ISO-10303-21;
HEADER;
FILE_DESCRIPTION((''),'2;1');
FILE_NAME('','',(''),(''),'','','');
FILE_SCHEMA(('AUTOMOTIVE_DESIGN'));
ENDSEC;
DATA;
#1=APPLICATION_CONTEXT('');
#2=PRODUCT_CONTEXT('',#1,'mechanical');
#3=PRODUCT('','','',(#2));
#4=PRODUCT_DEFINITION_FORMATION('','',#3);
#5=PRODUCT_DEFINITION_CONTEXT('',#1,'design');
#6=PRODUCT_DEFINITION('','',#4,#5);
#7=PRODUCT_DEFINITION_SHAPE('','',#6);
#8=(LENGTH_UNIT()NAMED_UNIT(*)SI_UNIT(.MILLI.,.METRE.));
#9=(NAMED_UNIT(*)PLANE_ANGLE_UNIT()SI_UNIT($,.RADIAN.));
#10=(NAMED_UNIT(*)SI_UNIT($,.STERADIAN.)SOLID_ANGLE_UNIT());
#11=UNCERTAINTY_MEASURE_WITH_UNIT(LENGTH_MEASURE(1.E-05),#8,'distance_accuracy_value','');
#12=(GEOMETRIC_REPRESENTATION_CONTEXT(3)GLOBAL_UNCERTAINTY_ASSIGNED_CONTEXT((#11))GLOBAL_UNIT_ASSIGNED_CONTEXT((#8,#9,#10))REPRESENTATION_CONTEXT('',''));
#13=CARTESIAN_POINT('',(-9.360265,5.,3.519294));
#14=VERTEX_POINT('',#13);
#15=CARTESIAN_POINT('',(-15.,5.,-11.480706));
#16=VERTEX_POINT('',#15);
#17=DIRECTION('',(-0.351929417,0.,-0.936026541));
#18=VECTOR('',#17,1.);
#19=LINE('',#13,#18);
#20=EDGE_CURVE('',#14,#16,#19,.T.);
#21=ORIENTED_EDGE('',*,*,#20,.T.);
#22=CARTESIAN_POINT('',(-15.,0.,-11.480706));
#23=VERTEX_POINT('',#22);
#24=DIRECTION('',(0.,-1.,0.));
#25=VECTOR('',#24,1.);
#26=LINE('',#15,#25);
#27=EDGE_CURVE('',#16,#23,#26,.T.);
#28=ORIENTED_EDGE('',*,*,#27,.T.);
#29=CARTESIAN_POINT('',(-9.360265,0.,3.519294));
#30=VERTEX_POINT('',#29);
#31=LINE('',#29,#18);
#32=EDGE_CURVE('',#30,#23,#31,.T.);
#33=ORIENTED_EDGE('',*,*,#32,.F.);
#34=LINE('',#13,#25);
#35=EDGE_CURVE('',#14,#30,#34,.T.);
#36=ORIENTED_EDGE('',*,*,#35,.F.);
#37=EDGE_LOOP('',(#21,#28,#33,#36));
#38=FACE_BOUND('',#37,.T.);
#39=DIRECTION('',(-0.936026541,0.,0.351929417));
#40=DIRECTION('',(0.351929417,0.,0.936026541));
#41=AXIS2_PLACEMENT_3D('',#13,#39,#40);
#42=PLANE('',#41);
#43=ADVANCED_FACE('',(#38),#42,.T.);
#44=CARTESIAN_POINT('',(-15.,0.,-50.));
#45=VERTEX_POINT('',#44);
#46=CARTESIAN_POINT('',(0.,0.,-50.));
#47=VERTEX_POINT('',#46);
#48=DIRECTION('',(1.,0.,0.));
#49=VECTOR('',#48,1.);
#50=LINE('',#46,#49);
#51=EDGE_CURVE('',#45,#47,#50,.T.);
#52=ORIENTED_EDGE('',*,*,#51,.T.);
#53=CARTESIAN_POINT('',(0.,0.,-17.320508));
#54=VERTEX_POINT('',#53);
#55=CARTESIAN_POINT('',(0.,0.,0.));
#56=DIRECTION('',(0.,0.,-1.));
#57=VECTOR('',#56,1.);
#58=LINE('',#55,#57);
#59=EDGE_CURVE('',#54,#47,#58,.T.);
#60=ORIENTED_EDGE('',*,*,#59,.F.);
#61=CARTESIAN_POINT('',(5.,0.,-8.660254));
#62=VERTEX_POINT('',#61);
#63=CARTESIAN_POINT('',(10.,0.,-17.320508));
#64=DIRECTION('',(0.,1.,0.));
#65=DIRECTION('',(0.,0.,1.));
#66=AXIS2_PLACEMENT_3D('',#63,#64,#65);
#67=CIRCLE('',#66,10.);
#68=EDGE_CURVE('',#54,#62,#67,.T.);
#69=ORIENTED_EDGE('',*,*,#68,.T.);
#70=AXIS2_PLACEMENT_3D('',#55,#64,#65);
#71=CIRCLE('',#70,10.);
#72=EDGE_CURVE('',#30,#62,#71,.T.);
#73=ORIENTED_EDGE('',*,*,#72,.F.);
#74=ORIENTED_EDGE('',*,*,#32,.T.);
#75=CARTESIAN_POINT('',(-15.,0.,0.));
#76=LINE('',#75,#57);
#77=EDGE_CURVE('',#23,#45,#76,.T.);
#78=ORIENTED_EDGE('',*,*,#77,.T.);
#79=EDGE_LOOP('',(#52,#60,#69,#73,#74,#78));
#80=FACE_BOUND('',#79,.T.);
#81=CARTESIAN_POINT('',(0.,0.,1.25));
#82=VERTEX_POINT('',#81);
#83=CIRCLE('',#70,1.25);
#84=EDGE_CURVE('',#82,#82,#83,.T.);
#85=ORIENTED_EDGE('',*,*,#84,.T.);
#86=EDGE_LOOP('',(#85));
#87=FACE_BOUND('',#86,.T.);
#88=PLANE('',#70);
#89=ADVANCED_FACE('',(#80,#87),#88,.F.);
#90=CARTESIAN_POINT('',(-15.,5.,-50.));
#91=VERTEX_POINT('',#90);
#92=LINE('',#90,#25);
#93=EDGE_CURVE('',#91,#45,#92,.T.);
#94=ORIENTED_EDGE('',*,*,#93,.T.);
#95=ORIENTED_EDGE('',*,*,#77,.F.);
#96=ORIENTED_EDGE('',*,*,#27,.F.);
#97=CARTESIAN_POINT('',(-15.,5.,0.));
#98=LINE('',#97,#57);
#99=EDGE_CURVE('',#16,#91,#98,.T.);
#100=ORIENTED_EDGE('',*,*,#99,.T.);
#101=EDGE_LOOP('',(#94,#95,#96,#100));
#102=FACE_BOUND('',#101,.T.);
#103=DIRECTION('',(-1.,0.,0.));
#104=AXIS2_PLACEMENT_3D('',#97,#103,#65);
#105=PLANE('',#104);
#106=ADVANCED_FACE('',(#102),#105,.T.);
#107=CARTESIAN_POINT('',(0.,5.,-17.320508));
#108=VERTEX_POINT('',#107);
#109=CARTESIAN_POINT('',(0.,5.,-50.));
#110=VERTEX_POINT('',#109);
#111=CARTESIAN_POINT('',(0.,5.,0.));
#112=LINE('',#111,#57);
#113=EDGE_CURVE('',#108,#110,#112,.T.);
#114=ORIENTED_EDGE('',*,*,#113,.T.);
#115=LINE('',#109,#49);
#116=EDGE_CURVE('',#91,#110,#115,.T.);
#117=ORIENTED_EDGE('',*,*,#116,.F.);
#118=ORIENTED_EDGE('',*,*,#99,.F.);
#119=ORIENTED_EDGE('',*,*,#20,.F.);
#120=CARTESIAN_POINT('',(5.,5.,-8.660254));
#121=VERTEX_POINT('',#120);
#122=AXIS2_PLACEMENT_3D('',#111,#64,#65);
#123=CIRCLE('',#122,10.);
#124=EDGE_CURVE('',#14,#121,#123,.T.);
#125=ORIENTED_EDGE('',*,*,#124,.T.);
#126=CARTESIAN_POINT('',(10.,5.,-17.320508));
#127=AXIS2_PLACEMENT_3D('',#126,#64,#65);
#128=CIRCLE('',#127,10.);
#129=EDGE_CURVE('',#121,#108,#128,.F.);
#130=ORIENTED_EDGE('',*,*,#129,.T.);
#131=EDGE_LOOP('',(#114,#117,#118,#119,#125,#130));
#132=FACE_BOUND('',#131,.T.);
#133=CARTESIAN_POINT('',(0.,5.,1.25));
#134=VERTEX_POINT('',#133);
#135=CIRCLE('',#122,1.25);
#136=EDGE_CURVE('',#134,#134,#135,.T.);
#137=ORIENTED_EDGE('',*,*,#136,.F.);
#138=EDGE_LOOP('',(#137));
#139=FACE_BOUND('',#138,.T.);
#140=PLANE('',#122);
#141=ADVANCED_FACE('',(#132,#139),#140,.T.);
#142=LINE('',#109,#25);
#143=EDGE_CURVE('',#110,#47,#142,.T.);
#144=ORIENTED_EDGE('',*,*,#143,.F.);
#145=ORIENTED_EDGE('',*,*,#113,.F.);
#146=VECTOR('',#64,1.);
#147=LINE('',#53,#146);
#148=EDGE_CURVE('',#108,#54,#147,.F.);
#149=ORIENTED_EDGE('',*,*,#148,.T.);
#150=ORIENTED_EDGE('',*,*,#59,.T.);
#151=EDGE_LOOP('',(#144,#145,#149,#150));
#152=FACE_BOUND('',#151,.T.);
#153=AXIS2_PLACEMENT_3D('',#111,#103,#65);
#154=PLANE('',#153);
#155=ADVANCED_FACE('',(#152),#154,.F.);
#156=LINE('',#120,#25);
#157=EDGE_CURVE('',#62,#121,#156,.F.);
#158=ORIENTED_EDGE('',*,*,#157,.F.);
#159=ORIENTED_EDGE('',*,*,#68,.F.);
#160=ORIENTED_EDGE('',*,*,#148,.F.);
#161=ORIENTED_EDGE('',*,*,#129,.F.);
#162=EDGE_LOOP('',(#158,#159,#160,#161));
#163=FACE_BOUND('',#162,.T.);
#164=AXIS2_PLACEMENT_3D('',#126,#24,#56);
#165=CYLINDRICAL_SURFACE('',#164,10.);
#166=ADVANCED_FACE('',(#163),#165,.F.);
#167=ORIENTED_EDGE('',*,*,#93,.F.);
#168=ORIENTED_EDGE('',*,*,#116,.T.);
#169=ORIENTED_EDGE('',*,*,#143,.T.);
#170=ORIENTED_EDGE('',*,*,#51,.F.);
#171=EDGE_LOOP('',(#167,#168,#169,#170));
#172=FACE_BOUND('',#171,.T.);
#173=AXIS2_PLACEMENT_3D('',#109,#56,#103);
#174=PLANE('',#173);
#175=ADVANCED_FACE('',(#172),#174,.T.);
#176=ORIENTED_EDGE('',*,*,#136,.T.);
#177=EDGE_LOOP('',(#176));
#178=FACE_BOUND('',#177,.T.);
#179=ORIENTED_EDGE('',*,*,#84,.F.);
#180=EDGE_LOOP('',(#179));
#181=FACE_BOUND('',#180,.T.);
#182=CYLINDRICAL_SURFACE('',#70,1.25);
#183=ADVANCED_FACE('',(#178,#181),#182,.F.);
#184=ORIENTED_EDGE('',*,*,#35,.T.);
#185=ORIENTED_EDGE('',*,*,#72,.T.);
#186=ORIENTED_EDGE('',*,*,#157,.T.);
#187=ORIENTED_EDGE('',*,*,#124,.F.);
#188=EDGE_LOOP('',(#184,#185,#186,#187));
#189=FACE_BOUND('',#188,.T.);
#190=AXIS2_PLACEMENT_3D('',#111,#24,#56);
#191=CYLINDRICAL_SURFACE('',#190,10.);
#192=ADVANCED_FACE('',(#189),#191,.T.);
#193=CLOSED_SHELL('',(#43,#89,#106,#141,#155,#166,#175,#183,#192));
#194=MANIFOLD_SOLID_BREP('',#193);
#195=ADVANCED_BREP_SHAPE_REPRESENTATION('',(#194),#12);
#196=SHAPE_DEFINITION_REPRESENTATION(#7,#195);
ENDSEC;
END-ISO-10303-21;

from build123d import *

# Parameters (mm, degrees)
BOSS_EXTRUDE1_DEPTH = 5
FILLET1_R           = 10
SKETCH2_R           = 1.25
CUT_EXTRUDE1_DEPTH  = 53.440442409


with BuildPart() as part:
    # Sketch1 → Boss-Extrude1 (new body)
    with BuildSketch(Plane(origin=(0, 0, 0), x_dir=(1, 0, 0), z_dir=(0, 1, 0))):
        with BuildLine():
            Line((0, 10), (0, 50))
            Line((0, 50), (-15, 50))
            Line((-15, 50), (-15, 11.480705826))
            Line((-15, 11.480705826), (-9.360265408, -3.519294174))
            ThreePointArc((-9.360265408, -3.519294174), (8.221707297, -5.692409782), (0, 10))
        make_face()
    extrude(amount=BOSS_EXTRUDE1_DEPTH)

    # Fillet1
    fillet1_edges = [part.edges().sort_by_distance(p)[0] for p in [
        (0, 2.5, -10),
    ]]
    fillet(fillet1_edges, radius=FILLET1_R)

    # Sketch2 → Cut-Extrude1 (cut, through all)
    with BuildSketch(Plane(origin=(0, 5, 0), x_dir=(1, 0, 0), z_dir=(0, 1, 0))):
        with Locations(Location((0, 0, 0), (0, 0, 270))):
            Circle(SKETCH2_R)
    extrude(amount=-CUT_EXTRUDE1_DEPTH, mode=Mode.SUBTRACT)


solid = part.part
